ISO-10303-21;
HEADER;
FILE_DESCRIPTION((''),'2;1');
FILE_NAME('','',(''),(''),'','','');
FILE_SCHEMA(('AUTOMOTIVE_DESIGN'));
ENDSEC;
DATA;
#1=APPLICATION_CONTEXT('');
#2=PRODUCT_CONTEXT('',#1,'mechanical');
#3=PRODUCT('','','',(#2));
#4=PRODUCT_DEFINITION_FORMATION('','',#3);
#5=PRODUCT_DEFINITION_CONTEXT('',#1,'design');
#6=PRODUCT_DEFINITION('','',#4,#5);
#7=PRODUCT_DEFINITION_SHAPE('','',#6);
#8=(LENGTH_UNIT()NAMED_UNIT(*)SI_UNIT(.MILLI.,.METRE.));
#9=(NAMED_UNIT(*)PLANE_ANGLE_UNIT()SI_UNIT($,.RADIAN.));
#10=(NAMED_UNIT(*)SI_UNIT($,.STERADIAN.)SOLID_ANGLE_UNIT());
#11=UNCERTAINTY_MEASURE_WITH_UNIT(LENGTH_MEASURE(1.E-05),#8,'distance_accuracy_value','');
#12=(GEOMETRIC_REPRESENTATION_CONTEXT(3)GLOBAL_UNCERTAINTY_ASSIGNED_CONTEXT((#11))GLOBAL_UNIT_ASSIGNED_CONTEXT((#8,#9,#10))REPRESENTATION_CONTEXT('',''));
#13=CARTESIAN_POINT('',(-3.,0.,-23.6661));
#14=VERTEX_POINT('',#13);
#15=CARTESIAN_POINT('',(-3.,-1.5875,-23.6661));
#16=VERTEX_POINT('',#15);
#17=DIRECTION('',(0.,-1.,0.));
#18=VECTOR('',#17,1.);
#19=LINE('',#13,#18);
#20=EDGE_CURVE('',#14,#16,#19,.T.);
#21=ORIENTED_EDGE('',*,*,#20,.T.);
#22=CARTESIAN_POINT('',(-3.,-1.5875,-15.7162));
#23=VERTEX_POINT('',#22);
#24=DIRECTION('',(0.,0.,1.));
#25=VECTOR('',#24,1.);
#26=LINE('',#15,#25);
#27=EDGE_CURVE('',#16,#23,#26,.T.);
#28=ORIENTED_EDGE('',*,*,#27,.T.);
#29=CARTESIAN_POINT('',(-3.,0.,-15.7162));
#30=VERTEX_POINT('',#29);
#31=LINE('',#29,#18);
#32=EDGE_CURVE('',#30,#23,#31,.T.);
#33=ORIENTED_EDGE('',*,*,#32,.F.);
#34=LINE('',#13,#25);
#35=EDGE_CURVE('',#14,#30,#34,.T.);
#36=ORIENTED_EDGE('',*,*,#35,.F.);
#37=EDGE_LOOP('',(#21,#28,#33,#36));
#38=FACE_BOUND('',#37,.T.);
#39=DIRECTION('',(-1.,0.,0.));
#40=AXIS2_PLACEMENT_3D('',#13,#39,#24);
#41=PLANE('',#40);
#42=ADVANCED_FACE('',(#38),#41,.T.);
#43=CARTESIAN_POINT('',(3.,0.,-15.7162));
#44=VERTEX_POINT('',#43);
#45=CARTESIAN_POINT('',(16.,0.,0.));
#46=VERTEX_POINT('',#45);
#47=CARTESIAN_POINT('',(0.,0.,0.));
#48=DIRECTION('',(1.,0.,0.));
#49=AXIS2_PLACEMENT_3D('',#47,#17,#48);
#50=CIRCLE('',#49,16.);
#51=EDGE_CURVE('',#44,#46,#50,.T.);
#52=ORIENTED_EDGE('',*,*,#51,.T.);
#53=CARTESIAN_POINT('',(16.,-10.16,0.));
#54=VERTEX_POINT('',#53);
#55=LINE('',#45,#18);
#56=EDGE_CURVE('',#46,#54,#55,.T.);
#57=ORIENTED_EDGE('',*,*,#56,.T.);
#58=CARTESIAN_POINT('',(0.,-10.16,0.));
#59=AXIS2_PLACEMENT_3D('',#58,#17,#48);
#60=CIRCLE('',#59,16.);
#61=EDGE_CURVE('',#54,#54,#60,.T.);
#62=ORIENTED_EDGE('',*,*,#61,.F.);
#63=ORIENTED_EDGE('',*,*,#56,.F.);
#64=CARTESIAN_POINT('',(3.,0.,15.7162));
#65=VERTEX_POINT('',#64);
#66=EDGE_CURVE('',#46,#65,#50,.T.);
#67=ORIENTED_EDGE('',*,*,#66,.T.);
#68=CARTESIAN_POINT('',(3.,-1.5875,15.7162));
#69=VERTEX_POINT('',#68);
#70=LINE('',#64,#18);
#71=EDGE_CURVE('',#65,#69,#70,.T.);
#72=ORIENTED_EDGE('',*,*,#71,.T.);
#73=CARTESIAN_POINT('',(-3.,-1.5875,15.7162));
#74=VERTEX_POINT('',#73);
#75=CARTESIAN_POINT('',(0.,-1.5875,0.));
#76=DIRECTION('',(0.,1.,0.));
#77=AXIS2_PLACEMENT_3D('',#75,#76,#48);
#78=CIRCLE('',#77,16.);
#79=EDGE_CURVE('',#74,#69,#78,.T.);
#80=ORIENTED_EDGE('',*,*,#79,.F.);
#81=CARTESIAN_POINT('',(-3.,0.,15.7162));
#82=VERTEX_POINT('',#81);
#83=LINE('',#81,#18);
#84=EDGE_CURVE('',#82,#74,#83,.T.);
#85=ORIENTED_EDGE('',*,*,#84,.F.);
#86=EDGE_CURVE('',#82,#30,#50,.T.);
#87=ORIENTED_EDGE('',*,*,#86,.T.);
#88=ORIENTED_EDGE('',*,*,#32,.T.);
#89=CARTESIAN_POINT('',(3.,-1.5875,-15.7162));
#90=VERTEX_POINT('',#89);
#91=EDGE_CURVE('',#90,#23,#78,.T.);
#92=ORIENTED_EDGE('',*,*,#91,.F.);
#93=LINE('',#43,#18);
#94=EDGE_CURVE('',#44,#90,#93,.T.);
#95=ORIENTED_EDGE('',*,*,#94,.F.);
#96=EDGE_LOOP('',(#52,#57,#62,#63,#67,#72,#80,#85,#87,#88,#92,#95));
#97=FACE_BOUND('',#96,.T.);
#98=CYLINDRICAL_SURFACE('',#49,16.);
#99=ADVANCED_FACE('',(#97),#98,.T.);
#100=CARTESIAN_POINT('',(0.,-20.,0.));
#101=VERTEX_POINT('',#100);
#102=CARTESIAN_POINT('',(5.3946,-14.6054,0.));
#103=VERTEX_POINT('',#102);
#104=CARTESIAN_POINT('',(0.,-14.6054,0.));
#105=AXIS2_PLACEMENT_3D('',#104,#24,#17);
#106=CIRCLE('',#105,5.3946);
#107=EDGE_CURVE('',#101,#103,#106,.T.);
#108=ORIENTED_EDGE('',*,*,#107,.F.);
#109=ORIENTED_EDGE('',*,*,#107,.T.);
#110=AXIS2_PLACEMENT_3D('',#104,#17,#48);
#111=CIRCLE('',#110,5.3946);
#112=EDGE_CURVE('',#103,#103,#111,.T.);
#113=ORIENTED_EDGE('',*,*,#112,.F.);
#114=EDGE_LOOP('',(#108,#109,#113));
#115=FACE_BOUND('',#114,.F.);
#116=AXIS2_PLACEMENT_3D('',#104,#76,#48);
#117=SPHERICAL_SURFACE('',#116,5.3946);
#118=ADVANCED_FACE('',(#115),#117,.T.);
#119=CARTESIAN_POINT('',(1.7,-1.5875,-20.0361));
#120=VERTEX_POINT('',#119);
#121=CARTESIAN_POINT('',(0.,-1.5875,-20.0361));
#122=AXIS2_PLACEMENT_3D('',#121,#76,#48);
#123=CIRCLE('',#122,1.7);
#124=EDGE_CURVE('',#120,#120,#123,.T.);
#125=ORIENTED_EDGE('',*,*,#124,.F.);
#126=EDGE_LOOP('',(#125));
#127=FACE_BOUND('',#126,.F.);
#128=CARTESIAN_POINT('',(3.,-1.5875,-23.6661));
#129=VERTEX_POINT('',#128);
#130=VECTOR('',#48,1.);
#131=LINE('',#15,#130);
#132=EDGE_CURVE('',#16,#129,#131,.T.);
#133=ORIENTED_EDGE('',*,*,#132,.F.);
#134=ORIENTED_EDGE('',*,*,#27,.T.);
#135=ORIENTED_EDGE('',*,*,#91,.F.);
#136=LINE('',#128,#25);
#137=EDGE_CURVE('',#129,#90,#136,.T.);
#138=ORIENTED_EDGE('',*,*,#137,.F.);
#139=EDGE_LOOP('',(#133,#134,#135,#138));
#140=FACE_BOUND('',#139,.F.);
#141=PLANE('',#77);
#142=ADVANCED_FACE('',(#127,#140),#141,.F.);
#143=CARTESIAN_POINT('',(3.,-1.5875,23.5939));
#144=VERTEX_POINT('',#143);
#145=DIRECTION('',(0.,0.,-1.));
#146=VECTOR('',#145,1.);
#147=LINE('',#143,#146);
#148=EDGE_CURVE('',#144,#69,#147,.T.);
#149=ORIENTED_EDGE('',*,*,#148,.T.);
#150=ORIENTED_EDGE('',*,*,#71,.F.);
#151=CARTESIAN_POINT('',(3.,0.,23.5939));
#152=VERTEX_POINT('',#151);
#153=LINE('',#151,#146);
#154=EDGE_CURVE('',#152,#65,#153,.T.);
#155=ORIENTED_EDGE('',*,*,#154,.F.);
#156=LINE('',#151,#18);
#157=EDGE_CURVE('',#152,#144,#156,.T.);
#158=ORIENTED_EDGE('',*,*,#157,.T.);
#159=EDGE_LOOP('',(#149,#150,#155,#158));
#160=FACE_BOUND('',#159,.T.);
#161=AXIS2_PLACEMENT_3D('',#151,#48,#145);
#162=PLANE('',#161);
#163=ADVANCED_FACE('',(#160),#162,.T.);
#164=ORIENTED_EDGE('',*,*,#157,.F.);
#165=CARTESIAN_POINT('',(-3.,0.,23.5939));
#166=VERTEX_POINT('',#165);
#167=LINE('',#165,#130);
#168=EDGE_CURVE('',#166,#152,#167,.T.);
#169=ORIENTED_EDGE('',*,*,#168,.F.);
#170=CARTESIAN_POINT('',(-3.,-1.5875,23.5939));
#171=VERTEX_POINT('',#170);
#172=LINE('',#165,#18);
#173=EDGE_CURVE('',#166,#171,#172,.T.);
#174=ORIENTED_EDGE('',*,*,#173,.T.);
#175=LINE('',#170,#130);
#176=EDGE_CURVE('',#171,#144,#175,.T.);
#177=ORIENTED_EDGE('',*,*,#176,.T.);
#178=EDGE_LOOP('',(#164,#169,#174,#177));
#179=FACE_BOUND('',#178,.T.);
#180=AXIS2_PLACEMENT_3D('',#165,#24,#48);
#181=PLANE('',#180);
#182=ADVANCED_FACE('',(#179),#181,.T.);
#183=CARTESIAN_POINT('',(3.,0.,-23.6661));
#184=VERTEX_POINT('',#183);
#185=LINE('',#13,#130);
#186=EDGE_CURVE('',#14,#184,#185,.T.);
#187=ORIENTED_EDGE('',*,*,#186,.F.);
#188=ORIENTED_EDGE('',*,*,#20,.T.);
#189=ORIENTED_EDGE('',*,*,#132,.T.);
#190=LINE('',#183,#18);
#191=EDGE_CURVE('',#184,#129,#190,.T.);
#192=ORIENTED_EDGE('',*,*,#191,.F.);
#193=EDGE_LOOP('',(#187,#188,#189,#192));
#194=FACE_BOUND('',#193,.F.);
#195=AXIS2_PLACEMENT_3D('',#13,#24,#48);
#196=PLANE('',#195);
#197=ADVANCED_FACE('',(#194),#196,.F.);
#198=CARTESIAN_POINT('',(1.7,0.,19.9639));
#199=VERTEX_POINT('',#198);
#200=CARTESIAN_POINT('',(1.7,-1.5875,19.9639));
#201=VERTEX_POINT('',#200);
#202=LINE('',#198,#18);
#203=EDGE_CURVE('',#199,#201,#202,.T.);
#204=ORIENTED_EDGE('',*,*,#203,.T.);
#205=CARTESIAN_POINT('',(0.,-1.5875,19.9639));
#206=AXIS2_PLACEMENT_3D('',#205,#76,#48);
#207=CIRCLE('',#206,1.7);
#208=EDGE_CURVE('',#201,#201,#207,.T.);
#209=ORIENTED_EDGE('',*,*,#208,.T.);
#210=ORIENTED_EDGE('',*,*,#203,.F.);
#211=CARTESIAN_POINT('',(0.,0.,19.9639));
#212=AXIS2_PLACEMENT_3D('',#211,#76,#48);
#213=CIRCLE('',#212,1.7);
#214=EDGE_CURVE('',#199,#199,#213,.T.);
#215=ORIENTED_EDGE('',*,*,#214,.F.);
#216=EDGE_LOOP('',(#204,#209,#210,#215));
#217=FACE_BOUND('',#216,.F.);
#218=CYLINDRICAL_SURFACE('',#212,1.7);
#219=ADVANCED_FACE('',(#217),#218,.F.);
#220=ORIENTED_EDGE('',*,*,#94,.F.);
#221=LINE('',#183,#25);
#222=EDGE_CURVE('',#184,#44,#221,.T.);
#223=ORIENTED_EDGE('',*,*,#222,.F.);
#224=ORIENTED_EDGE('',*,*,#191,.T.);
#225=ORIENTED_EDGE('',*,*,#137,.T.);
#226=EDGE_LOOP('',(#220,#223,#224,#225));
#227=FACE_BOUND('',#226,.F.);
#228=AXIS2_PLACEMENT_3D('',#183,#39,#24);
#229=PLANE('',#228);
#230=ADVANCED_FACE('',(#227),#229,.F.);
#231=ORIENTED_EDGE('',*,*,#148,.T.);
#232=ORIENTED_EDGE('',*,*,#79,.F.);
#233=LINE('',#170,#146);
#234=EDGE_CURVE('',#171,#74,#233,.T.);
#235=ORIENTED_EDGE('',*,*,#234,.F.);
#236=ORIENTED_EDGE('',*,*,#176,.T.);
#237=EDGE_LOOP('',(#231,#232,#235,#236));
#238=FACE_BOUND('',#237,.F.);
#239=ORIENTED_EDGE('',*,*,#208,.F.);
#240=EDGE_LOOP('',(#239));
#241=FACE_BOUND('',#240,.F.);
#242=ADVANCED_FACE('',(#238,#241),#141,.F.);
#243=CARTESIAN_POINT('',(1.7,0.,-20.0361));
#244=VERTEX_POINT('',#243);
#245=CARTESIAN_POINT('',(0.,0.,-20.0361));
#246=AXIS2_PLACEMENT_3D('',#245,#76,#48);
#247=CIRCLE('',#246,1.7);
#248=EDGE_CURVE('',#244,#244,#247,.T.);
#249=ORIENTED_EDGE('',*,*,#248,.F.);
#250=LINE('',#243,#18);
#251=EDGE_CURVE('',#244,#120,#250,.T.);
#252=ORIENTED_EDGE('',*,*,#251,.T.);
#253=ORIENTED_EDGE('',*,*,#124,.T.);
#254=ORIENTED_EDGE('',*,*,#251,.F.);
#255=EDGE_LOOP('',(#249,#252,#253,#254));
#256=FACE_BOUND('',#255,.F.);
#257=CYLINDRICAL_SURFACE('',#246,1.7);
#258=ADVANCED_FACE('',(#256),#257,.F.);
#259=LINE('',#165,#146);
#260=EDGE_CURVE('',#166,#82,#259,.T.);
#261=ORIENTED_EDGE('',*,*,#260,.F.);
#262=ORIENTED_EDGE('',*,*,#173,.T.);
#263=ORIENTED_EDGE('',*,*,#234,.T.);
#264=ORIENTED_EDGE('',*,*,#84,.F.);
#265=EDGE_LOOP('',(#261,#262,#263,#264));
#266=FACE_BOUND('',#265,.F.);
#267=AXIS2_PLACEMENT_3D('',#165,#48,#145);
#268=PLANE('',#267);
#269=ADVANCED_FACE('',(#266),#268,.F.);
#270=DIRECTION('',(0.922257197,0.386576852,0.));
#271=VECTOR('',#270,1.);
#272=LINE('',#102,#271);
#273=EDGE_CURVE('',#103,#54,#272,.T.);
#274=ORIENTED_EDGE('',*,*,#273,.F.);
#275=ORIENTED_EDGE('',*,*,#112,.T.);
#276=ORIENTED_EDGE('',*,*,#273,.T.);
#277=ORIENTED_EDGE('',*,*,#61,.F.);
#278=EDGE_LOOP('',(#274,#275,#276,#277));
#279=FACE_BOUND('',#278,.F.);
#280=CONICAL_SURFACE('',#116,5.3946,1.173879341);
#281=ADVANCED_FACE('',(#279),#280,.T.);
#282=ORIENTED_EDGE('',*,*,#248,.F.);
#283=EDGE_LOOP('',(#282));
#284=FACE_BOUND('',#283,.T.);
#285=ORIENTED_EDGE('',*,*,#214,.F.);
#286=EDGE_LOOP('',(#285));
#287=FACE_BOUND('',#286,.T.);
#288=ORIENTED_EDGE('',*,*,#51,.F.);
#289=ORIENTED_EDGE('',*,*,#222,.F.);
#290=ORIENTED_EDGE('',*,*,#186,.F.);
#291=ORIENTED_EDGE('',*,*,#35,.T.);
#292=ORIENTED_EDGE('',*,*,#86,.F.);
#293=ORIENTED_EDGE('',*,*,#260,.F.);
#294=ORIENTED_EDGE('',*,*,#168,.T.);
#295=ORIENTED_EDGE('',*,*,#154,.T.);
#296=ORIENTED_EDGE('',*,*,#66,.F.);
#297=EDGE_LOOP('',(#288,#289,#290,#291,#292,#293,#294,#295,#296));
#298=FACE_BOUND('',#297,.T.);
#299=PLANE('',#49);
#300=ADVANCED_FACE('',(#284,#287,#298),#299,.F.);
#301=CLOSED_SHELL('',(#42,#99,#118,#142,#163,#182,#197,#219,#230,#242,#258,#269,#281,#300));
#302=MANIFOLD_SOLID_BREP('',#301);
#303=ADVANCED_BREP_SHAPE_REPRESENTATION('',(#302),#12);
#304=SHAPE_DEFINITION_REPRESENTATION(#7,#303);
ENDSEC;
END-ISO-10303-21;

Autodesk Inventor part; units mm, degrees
ref_plane "YZ Plane" through (0, 0, 0) normal (1, 0, 0) x (0, 1, 0)
ref_plane "XZ Plane" through (0, 0, 0) normal (0, 1, 0) x (-1, 0, 0)
ref_plane "XY Plane" through (0, 0, 0) normal (0, 0, 1) x (1, 0, 0)
sketch "Sketch1" plane through (0, 0, 0) normal (0, 0, 1) x (1, 0, 0)
  line L0 (0, 0) -> (16, 0)
  line L1 (16, 0) -> (16, -10.16)
  line L2 (0, 0) -> (0, -20)
  arc A0 (0, -20) -> (5.3946, -14.6054) centre (0, -14.6054) ccw
  line L3 (0, -14.6054) -> (5.3946, -14.6054) construction
  line L4 (0, -14.6054) -> (0, -20) construction
  line L5 (5.3946, -14.6054) -> (16, -10.16)
  dimension "d0" = 16
  dimension "d1" = 20
  dimension "d2" = 10.16
  dimension "d3" = 90
  dimension "d4" = 5.3946
revolve "Revolution1" add sketch "Sketch1" angle 360 about axis through (0, 0, 0) along (0, -1, 0)
sketch "Sketch2" plane through (0, 0, 0) normal (0, 1, 0) x (1, 0, 0)
  circle A0 centre (0, 20.0361) radius 1.7
  circle A1 centre (0, -19.9639) radius 1.7
  line L0 (0, 24.0573) -> (0, -23.8232) construction
  line L1 (-3, 23.6661) -> (-3, 15.7162)
  line L2 (3, 23.6661) -> (3, 15.7162)
  line L3 (-3, 23.6661) -> (3, 23.6661)
  line L4 (-3, -23.5939) -> (-3, -15.7162)
  line L5 (3, -23.5939) -> (3, -15.7162)
  line L6 (-3, -23.5939) -> (3, -23.5939)
  circle A2 centre (0, 0) radius 16 projected
  circle A3 centre (0, 0) radius 16
  dimension "d6" = 3.4
  dimension "d7" = 3.4
  dimension "d8" = 40
  dimension "d10" = 3
  dimension "d11" = 3
  dimension "d12" = 3.63
  dimension "d13" = 3
  dimension "d14" = 3
  dimension "d15" = 3.63
  dimension "d18" = 32
extrude "Extrusion1" add sketch "Sketch2" against normal blind 1.5875 contours L3 L2 A2 L1 | A2 L5 L6 L4
equation "\"d6\" = m3_clearance"
equation "\"d7\" = m3_clearance"
equation "\"d13\" = d11"
equation "\"d14\" = d13"
equation "\"d15\" = d12"
equation "\"m3_heat_set_insert\" = 4"
equation "\"m3_clearance\" = 3.4"
equation "\"m3_heat_set_depth\" = 7"
equation "\"robot_diameter\" = 354"
equation "\"hardboard_thickness\" = 5"
equation "\"motor_centerline_height\" = 13"
properties part number "ball_caster"
